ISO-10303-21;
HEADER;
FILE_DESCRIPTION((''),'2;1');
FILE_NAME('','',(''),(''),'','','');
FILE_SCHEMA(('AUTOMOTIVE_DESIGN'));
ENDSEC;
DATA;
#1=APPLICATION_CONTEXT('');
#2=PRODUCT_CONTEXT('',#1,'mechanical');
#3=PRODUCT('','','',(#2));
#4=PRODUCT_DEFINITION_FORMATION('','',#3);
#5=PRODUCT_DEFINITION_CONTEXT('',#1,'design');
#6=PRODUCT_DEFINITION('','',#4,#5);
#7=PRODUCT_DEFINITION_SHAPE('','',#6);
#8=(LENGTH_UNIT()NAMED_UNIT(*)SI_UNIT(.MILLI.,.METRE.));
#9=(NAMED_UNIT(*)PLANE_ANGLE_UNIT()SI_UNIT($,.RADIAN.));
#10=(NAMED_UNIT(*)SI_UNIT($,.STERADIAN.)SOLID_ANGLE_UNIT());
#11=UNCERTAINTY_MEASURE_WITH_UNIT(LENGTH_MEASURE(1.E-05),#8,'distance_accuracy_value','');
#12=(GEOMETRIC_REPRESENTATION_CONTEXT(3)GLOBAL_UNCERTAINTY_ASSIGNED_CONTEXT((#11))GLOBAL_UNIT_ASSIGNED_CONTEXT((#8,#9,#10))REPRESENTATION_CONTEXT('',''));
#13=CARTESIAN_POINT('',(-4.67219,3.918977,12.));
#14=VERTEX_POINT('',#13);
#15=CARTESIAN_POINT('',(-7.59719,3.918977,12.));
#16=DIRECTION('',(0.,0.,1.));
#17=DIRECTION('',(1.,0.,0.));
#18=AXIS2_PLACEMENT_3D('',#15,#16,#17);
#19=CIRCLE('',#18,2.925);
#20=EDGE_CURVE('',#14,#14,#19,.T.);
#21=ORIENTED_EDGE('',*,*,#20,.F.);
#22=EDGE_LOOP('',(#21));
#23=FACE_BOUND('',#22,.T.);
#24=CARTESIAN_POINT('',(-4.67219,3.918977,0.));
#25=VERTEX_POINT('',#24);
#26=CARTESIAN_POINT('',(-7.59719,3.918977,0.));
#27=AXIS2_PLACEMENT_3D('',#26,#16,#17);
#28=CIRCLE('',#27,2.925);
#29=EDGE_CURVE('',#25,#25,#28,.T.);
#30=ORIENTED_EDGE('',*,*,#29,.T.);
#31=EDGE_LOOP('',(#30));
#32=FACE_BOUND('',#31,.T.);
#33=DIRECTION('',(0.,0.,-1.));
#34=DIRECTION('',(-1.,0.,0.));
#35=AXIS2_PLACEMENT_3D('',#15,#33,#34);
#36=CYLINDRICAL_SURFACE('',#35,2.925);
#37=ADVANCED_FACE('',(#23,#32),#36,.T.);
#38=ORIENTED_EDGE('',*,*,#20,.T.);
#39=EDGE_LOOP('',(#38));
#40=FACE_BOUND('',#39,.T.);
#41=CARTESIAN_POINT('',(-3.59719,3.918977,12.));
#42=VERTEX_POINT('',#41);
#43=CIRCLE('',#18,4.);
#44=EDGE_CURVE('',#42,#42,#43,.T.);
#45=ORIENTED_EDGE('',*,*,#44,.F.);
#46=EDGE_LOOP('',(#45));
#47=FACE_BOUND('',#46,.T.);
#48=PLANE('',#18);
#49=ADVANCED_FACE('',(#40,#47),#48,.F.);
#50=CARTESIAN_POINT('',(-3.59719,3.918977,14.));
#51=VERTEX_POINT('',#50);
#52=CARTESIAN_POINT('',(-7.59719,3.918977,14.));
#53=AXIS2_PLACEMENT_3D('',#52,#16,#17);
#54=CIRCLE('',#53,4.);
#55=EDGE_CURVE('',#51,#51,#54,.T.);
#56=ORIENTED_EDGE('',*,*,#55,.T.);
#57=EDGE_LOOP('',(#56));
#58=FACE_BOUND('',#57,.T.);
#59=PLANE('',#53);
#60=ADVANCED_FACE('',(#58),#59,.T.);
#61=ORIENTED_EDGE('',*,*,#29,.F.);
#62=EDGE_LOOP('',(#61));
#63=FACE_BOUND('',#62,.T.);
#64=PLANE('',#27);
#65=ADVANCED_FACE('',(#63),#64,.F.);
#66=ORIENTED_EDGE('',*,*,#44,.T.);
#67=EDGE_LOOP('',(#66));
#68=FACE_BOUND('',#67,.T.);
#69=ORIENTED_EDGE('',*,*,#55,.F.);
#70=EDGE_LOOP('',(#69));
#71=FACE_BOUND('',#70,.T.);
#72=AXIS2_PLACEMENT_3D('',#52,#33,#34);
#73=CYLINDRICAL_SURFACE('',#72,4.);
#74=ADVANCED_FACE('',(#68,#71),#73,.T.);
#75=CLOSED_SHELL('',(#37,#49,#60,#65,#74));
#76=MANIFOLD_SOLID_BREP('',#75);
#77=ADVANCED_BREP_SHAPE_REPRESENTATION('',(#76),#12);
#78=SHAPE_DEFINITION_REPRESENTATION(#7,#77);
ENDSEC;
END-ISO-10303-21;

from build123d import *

# Parameters (mm, degrees)
ESQUISSE1_R        = 2.925
BOSS_EXTRU_1_DEPTH = 12
ESQUISSE2_R        = 4
BOSS_EXTRU_2_DEPTH = 2


with BuildPart() as part:
    # Esquisse1 → Boss.-Extru.1 (new body)
    with BuildSketch(Plane.XY):
        with Locations((-7.597189856, 3.918976898)):
            Circle(ESQUISSE1_R)
    extrude(amount=BOSS_EXTRU_1_DEPTH)

    # Esquisse2 → Boss.-Extru.2 (add)
    with BuildSketch(Plane.XY.offset(12)):
        with Locations((-7.597189856, 3.918976898)):
            Circle(ESQUISSE2_R)
    extrude(amount=BOSS_EXTRU_2_DEPTH)


solid = part.part
